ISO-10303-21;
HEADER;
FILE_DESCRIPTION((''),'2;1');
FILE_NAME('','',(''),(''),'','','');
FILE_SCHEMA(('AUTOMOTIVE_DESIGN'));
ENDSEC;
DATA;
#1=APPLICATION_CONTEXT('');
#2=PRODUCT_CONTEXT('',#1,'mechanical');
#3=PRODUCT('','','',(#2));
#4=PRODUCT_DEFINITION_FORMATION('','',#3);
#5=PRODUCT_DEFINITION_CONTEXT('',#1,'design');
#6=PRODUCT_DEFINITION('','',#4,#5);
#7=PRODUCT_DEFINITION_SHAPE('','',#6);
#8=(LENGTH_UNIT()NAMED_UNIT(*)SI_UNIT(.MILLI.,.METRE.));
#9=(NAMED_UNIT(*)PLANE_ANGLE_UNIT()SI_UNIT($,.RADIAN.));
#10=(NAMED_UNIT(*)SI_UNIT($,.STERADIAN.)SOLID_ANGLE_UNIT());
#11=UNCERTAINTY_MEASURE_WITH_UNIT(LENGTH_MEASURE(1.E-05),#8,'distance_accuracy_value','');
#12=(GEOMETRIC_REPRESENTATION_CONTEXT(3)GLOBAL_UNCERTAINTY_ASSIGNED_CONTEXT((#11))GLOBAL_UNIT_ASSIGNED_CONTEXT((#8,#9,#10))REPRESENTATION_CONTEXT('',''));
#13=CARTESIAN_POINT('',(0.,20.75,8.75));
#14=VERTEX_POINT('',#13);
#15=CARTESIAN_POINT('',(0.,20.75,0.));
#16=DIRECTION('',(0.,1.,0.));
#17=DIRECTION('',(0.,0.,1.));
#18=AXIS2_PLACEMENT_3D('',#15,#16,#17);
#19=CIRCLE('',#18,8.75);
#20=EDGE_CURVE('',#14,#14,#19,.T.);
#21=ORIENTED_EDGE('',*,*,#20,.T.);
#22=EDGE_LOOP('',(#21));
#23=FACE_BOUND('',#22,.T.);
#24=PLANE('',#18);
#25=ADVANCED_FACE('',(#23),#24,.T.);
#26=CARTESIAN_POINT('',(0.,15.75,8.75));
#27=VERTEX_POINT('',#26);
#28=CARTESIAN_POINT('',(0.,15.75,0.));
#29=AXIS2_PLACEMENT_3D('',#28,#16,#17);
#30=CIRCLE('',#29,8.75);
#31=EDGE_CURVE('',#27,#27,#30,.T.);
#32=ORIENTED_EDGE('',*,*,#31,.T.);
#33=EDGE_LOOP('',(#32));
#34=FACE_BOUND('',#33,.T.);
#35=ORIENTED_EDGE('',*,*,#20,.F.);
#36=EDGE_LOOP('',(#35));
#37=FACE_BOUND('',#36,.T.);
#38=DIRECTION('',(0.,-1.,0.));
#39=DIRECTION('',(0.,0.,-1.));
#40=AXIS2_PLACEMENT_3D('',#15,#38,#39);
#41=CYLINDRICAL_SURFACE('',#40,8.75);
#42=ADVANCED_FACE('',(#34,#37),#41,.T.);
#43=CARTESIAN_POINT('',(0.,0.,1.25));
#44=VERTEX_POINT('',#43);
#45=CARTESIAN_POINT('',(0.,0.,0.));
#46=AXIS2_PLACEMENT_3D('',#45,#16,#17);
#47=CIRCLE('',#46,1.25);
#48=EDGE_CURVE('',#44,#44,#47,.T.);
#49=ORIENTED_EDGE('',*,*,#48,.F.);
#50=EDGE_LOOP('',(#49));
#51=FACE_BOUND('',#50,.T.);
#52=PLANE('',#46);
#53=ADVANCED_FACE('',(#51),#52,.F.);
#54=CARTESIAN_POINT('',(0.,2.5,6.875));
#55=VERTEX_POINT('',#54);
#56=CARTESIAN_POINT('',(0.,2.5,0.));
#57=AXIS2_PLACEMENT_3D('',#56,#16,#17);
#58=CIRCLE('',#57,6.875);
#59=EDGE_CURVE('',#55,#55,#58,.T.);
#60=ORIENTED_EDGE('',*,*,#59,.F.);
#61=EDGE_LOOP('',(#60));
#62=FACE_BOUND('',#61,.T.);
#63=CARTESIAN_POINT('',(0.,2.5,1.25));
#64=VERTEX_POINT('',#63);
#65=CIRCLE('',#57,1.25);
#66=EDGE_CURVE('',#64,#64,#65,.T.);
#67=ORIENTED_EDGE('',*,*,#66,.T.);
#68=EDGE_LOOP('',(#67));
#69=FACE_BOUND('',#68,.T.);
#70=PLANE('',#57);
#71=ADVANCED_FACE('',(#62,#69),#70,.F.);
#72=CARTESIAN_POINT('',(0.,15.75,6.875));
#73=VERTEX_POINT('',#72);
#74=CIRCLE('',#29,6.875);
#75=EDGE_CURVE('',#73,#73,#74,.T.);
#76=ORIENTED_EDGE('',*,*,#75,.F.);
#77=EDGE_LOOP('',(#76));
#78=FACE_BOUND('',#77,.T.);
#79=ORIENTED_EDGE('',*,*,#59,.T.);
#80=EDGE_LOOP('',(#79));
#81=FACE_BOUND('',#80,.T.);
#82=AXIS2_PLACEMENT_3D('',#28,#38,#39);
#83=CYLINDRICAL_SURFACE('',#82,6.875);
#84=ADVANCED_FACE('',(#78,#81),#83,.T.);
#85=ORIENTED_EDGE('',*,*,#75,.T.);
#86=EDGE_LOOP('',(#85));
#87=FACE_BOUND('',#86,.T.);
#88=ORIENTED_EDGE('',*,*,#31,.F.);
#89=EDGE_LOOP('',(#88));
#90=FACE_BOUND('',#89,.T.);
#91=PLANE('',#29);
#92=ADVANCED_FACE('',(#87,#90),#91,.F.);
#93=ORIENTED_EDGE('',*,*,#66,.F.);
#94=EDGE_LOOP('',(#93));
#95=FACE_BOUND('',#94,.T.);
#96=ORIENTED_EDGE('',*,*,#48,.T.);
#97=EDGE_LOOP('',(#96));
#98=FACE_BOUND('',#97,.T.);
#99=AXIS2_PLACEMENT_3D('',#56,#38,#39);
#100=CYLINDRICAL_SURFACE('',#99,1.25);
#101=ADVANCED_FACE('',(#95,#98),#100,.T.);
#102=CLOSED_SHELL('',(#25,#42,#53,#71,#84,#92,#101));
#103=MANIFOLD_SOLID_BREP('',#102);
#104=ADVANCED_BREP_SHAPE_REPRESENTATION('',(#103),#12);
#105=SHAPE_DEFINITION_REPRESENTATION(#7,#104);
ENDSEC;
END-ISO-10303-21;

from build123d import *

# Parameters (mm, degrees)
SKETCH1_R           = 1.25
BOSS_EXTRUDE1_DEPTH = 2.5
SKETCH2_R           = 6.875
BOSS_EXTRUDE2_DEPTH = 13.25
SKETCH3_R           = 8.75
BOSS_EXTRUDE3_DEPTH = 5


with BuildPart() as part:
    # Sketch1 → Boss-Extrude1 (new body)
    with BuildSketch(Plane(origin=(0, 0, 0), x_dir=(1, 0, 0), z_dir=(0, 1, 0))):
        with Locations(Location((0, 0, 0), (0, 0, 270))):
            Circle(SKETCH1_R)
    extrude(amount=BOSS_EXTRUDE1_DEPTH)

    # Sketch2 → Boss-Extrude2 (add)
    with BuildSketch(Plane(origin=(0, 2.5, 0), x_dir=(1, 0, 0), z_dir=(0, 1, 0))):
        with Locations(Location((0, 0, 0), (0, 0, 270))):
            Circle(SKETCH2_R)
    extrude(amount=BOSS_EXTRUDE2_DEPTH)

    # Sketch3 → Boss-Extrude3 (add)
    with BuildSketch(Plane(origin=(0, 15.75, 0), x_dir=(1, 0, 0), z_dir=(0, 1, 0))):
        with Locations(Location((0, 0, 0), (0, 0, 270))):
            Circle(SKETCH3_R)
    extrude(amount=BOSS_EXTRUDE3_DEPTH)


solid = part.part
